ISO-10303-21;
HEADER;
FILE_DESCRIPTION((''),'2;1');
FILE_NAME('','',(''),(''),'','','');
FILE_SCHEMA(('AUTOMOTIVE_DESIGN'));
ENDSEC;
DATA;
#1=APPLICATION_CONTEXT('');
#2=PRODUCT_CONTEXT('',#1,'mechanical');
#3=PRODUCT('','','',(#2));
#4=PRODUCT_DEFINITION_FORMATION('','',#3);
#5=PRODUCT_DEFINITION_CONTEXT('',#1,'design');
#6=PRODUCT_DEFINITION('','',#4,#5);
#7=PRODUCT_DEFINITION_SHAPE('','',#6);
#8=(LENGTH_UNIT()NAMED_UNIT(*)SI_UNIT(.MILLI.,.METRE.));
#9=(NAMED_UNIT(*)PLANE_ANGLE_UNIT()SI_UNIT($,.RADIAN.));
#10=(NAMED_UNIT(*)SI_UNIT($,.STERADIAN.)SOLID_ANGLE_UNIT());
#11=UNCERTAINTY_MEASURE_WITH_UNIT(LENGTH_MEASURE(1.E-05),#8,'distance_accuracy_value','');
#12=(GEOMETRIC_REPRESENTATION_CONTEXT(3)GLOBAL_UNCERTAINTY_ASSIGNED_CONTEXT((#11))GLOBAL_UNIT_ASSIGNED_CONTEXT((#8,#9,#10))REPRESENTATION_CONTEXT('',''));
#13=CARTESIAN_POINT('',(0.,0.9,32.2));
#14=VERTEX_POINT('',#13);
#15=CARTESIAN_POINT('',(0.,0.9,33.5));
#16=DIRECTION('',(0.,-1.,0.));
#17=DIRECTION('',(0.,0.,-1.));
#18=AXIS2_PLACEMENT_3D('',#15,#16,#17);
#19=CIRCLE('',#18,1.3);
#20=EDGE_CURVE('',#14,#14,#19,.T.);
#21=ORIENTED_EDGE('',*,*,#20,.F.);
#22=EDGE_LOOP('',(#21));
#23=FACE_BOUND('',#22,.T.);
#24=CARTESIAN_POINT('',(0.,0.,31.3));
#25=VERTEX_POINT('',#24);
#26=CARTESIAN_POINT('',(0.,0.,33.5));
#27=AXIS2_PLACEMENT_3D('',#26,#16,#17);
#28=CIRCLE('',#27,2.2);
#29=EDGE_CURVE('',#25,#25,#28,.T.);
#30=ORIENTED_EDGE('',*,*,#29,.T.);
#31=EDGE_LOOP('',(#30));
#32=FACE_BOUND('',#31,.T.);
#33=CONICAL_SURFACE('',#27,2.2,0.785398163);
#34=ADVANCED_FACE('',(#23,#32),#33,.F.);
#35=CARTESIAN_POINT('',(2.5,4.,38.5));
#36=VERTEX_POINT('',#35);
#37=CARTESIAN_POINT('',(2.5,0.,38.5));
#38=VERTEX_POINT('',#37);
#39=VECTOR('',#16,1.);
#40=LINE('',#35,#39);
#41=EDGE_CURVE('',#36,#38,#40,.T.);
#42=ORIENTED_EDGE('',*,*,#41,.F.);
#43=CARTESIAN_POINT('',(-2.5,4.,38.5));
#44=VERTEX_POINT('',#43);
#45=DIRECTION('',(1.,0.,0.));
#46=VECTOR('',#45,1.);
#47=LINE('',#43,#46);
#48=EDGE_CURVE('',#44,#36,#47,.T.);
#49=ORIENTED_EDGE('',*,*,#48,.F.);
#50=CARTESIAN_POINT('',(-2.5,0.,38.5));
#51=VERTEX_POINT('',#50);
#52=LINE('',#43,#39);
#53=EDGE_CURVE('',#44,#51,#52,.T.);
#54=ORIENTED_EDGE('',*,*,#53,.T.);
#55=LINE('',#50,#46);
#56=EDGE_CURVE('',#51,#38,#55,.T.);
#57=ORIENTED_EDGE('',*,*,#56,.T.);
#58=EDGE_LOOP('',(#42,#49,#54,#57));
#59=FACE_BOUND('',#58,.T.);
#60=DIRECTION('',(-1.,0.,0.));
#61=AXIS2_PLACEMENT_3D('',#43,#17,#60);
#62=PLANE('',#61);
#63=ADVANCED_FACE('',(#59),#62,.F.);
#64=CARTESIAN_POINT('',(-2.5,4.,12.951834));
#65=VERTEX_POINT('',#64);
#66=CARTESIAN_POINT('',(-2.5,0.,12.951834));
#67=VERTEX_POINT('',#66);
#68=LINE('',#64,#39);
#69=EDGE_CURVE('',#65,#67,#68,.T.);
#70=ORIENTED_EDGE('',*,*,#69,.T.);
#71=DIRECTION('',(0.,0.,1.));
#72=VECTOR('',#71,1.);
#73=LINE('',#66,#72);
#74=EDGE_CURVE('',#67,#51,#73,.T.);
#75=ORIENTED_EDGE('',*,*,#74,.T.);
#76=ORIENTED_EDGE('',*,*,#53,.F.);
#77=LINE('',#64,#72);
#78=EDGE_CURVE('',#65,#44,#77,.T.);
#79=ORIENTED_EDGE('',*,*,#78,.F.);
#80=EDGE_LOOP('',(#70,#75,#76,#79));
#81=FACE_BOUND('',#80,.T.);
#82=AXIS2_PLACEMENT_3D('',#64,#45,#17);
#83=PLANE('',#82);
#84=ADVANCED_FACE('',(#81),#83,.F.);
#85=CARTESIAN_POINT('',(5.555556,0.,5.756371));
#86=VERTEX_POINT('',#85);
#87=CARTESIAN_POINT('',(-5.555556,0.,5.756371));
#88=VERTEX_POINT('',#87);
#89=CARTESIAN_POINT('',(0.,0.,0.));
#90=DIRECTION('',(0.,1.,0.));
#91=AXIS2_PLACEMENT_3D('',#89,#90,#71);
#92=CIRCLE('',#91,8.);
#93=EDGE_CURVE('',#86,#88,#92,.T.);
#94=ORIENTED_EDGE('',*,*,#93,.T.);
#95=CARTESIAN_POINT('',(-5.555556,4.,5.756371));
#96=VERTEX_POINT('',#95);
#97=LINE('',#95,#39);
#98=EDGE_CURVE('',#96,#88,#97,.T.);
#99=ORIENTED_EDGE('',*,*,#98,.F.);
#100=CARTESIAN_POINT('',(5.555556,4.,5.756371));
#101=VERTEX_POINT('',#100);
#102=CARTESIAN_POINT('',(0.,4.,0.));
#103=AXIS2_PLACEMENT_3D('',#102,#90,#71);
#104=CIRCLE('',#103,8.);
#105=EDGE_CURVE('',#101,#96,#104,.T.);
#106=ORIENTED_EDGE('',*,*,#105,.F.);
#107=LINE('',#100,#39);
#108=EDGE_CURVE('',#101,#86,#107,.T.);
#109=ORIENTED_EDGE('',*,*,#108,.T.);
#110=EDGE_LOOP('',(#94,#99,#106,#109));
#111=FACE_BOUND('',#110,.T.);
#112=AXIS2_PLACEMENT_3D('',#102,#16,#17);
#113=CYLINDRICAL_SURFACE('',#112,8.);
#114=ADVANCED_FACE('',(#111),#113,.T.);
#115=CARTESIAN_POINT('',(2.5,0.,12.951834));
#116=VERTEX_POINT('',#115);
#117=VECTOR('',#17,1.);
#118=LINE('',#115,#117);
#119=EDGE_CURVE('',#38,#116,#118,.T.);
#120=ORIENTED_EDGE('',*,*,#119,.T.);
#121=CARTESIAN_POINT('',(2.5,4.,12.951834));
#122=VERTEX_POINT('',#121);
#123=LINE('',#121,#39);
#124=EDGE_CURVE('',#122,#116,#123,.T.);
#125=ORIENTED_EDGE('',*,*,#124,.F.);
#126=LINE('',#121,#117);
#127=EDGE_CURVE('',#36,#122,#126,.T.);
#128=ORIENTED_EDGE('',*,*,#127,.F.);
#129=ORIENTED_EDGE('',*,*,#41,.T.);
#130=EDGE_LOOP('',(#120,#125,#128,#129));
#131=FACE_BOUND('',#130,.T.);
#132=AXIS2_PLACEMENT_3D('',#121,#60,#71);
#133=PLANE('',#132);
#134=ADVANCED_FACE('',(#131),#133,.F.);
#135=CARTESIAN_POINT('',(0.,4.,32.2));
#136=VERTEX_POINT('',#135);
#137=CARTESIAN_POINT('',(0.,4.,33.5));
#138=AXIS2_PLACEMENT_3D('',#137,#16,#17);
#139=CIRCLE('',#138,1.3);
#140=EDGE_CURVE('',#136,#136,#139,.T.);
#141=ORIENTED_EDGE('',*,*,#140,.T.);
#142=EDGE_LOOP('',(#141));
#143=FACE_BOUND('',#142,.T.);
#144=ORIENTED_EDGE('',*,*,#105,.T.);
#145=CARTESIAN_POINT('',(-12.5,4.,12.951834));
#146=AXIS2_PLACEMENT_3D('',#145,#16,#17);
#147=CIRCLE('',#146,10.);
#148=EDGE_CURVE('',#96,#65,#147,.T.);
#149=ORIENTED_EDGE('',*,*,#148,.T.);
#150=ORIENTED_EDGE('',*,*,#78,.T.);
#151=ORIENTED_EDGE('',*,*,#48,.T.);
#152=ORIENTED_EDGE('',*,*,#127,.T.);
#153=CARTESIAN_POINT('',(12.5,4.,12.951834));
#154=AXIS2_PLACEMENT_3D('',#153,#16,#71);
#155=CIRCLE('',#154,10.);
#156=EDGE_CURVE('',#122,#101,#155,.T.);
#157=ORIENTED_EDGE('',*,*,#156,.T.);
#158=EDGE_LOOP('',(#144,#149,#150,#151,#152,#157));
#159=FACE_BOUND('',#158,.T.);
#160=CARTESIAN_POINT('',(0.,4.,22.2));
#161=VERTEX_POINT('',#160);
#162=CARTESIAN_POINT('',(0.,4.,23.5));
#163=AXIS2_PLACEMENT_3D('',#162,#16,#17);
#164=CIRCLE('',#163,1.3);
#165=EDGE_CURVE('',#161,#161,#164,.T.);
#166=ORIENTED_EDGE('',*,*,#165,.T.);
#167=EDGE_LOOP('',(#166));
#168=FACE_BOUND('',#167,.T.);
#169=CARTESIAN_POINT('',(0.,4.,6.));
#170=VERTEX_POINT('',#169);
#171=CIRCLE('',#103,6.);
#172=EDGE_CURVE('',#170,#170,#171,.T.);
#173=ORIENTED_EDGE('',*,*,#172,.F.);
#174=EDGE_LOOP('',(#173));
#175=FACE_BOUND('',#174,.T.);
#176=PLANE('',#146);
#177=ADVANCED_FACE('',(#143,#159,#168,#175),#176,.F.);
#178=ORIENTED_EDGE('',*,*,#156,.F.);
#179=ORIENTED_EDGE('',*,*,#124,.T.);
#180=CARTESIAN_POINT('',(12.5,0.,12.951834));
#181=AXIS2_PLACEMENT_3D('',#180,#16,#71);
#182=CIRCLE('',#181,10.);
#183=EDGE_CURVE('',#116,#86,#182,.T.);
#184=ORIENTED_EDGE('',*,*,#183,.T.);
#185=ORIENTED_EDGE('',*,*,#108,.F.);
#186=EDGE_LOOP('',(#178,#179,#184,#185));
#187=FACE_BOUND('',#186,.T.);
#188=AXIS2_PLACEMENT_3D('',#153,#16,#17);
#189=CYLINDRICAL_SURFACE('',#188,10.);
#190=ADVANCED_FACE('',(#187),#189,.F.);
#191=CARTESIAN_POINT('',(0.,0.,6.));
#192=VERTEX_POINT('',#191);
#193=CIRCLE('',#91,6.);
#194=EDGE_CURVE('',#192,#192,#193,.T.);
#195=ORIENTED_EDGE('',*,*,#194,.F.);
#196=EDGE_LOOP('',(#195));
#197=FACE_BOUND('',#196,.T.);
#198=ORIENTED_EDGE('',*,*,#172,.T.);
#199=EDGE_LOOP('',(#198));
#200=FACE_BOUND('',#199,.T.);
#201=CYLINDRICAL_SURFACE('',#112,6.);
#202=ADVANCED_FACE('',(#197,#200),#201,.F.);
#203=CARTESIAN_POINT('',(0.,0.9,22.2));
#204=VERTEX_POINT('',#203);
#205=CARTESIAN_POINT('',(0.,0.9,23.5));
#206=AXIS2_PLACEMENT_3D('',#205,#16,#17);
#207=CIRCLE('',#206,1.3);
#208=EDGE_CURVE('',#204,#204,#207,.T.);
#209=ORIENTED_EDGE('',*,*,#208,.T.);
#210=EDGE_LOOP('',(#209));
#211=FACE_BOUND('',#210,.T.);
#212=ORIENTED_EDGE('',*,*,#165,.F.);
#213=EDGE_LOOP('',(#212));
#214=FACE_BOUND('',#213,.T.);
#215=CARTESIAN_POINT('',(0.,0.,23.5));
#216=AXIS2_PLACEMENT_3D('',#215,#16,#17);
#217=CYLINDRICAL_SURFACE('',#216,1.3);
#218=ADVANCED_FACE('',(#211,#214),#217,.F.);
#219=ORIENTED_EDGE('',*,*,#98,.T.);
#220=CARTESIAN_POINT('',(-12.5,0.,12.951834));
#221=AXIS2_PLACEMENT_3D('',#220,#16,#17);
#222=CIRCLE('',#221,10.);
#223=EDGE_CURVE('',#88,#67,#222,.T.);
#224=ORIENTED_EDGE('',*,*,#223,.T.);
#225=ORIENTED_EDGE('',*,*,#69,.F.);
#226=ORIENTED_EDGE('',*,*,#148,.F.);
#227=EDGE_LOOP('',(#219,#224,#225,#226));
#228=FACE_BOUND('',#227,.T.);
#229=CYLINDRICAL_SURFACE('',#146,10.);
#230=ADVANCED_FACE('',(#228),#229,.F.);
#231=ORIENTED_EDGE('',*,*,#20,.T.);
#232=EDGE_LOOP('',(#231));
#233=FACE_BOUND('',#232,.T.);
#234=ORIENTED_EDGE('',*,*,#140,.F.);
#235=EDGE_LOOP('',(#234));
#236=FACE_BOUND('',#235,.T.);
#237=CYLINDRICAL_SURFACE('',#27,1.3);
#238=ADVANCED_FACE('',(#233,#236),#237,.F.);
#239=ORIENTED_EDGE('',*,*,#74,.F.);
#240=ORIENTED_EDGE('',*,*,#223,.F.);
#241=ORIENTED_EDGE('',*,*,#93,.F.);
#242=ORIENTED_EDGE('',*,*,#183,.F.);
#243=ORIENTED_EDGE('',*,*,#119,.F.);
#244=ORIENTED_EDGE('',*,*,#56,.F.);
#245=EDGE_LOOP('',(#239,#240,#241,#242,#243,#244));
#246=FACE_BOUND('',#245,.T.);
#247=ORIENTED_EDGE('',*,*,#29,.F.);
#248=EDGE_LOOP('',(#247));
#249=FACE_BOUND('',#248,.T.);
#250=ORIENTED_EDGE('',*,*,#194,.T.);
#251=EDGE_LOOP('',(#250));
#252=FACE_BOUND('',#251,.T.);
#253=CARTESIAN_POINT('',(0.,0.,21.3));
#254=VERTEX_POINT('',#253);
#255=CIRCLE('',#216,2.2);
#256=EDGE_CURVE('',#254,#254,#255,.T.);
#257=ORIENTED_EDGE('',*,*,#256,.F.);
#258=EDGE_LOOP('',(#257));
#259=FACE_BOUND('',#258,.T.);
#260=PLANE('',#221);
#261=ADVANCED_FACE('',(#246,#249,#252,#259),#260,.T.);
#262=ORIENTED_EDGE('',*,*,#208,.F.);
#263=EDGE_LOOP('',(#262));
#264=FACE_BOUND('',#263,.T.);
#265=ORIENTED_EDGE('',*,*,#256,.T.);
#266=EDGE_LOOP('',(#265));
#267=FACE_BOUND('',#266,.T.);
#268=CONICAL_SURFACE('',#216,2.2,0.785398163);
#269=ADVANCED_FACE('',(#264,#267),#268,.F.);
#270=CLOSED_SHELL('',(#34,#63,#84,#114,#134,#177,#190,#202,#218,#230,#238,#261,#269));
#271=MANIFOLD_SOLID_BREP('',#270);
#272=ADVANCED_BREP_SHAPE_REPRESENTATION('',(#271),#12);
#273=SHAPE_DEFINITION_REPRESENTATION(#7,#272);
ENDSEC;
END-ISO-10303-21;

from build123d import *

# Parameters (mm, degrees)
SKETCH1_R                                       = 6
BOSS_EXTRUDE1_DEPTH                             = 4
CSK_FOR_M2_FLAT_HEAD_MACHINE_SCREW1_D           = 2.6
CSK_FOR_M2_FLAT_HEAD_MACHINE_SCREW1_CSINK_D     = 4.4
CSK_FOR_M2_FLAT_HEAD_MACHINE_SCREW1_CSINK_ANGLE = 90


with BuildPart() as part:
    # Sketch1 → Boss-Extrude1 (new body)
    with BuildSketch(Plane(origin=(0, 0, 0), x_dir=(1, 0, 0), z_dir=(0, 1, 0))):
        with BuildLine():
            Line((-2.5, -12.951833847), (-2.5, -38.5))
            Line((-2.5, -38.5), (2.5, -38.5))
            Line((2.5, -38.5), (2.5, -12.951833847))
            ThreePointArc((2.5, -12.951833847), (3.295532486, -9.043154047), (5.555555556, -5.756370599))
            ThreePointArc((5.555555556, -5.756370599), (0, 8), (-5.555555556, -5.756370599))
            ThreePointArc((-5.555555556, -5.756370599), (-3.295532486, -9.043154047), (-2.5, -12.951833847))
        make_face()
        Circle(SKETCH1_R, mode=Mode.SUBTRACT)
    extrude(amount=BOSS_EXTRUDE1_DEPTH)

    # CSK for M2 Flat Head Machine Screw1 (through all)
    with Locations(Plane(origin=(0, 0, 0), x_dir=(-1, 0, 0), z_dir=(0, -1, 0))):
        with Locations((0, -23.5), (0, -33.5)):
            CounterSinkHole(CSK_FOR_M2_FLAT_HEAD_MACHINE_SCREW1_D / 2, CSK_FOR_M2_FLAT_HEAD_MACHINE_SCREW1_CSINK_D / 2, counter_sink_angle=CSK_FOR_M2_FLAT_HEAD_MACHINE_SCREW1_CSINK_ANGLE)


solid = part.part
